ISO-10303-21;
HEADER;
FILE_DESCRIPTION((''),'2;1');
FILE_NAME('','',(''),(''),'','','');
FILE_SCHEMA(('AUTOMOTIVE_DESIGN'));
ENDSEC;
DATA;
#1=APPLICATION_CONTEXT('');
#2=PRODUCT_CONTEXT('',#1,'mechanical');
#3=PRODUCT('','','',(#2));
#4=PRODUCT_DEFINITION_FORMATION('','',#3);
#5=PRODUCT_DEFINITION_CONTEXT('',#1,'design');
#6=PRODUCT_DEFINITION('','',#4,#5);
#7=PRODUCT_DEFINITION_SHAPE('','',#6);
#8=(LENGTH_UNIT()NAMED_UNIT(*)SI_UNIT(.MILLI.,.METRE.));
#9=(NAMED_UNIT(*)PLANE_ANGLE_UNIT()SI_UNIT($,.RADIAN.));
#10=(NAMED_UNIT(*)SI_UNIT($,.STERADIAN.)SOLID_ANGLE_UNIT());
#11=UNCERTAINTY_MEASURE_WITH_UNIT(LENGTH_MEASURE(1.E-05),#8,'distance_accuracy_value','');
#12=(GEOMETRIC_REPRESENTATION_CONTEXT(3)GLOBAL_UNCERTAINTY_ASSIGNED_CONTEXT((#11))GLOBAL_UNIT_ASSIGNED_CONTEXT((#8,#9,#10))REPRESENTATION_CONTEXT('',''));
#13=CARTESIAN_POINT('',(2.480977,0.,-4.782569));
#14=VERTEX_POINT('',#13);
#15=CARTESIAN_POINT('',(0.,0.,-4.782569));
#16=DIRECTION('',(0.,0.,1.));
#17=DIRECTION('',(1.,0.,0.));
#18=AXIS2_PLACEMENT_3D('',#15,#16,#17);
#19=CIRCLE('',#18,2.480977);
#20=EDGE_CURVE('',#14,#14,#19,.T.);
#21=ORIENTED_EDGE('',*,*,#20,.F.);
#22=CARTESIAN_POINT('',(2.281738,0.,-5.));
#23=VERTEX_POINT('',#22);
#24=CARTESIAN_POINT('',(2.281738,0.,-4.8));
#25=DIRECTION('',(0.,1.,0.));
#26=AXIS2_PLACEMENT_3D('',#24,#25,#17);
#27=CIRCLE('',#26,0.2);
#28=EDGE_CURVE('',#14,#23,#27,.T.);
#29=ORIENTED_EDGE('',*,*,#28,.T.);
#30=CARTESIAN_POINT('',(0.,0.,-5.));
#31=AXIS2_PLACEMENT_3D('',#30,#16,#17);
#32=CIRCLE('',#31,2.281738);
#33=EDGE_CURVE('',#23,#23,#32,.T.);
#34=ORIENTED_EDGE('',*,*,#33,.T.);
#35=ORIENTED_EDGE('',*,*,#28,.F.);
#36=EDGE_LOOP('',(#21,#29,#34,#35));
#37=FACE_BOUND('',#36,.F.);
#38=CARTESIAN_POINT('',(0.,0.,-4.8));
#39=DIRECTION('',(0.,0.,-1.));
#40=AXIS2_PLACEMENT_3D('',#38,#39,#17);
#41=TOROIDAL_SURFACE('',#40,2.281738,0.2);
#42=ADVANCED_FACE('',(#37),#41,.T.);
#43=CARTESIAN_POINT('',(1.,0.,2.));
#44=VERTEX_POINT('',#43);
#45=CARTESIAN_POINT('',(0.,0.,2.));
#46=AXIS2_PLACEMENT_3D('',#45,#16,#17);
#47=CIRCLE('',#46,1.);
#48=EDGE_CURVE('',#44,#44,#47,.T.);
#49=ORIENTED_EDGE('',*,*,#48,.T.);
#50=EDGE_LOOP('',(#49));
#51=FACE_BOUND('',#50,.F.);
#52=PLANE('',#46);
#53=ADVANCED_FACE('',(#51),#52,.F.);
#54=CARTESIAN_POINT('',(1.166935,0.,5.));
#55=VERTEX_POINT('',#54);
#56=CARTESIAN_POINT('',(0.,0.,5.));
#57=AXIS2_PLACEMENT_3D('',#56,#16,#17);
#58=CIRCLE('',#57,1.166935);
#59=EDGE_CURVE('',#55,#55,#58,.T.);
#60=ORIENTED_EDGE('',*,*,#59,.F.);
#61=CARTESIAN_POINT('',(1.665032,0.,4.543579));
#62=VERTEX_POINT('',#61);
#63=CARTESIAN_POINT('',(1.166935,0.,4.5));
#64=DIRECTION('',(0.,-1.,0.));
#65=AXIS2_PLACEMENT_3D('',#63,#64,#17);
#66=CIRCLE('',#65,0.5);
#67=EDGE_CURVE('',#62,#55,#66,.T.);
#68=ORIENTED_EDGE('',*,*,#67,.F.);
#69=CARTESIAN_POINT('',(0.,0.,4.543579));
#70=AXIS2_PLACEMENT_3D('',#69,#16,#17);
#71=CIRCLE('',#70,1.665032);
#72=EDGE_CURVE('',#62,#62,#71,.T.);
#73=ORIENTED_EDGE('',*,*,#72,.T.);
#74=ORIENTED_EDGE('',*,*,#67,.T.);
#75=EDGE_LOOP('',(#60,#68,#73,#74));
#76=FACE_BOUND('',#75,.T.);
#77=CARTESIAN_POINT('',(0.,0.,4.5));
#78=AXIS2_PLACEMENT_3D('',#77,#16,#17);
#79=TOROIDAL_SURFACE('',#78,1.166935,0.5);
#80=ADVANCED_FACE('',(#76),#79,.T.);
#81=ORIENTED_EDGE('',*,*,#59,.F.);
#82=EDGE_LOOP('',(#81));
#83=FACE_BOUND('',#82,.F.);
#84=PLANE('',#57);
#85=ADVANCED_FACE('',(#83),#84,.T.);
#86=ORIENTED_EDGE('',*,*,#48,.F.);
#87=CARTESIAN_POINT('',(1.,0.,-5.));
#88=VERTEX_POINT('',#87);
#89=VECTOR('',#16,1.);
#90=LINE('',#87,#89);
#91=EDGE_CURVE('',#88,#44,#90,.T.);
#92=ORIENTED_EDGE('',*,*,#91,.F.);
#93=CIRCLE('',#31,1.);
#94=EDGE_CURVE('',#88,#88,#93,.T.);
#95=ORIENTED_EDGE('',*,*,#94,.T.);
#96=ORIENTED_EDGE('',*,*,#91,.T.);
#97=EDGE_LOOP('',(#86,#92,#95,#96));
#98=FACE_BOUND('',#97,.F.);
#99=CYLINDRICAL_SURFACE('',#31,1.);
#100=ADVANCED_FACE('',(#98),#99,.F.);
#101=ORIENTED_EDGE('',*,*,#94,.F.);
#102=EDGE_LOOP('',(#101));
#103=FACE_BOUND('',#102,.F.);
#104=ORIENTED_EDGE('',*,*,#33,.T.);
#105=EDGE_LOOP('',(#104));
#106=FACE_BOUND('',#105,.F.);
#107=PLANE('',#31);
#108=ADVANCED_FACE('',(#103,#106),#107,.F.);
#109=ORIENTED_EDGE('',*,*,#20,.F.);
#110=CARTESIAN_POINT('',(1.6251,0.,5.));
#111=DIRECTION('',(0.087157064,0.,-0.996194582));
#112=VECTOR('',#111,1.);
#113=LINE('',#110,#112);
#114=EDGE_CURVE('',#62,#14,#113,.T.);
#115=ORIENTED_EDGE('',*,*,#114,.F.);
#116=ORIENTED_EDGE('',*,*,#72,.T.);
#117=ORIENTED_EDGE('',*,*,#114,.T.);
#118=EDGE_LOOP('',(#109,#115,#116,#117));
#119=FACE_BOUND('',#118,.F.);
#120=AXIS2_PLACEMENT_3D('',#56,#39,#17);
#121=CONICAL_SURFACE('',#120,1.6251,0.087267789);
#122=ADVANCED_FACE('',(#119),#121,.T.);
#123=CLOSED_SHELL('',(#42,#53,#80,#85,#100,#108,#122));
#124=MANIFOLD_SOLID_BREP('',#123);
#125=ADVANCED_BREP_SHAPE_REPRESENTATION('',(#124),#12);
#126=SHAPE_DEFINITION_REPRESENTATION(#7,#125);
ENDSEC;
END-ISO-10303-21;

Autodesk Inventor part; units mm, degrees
ref_plane "YZ Plane" through (0, 0, 0) normal (1, 0, 0) x (0, 1, 0)
ref_plane "XZ Plane" through (0, 0, 0) normal (0, 1, 0) x (-1, 0, 0)
ref_plane "XY Plane" through (0, 0, 0) normal (0, 0, 1) x (1, 0, 0)
sketch "Sketch1" plane through (0, 0, 0) normal (0, 1, 0) x (-1, 0, 0)
  line L0 (0, 2) -> (0, 5)
  line L1 (0, 5) -> (-1.6251, 5)
  line L2 (-1.6251, 5) -> (-2.5, -5)
  line L3 (-2.5, -5) -> (-1, -5)
  line L4 (-1, -5) -> (-1, 2)
  line L5 (-1, 2) -> (0, 2)
  point P0 (0, 0)
  point P1 (-2.0626, 0)
  dimension "d0" = 10
  dimension "d1" = 2
  dimension "d2" = 7
  dimension "d3" = 5
  dimension "d4" = 5
revolve "Revolution1" add sketch "Sketch1" angle 360 about axis through (0, 0, 2) along (0, 0, 1)
fillet "Fillet1" radius 0.5 1 edges at (-1.6251, 0, 5)
fillet "Fillet2" radius 0.2 1 edges at (-2.5, 0, -5)
properties part number "Locking Pin Lever Rubber" material "Rubber"
